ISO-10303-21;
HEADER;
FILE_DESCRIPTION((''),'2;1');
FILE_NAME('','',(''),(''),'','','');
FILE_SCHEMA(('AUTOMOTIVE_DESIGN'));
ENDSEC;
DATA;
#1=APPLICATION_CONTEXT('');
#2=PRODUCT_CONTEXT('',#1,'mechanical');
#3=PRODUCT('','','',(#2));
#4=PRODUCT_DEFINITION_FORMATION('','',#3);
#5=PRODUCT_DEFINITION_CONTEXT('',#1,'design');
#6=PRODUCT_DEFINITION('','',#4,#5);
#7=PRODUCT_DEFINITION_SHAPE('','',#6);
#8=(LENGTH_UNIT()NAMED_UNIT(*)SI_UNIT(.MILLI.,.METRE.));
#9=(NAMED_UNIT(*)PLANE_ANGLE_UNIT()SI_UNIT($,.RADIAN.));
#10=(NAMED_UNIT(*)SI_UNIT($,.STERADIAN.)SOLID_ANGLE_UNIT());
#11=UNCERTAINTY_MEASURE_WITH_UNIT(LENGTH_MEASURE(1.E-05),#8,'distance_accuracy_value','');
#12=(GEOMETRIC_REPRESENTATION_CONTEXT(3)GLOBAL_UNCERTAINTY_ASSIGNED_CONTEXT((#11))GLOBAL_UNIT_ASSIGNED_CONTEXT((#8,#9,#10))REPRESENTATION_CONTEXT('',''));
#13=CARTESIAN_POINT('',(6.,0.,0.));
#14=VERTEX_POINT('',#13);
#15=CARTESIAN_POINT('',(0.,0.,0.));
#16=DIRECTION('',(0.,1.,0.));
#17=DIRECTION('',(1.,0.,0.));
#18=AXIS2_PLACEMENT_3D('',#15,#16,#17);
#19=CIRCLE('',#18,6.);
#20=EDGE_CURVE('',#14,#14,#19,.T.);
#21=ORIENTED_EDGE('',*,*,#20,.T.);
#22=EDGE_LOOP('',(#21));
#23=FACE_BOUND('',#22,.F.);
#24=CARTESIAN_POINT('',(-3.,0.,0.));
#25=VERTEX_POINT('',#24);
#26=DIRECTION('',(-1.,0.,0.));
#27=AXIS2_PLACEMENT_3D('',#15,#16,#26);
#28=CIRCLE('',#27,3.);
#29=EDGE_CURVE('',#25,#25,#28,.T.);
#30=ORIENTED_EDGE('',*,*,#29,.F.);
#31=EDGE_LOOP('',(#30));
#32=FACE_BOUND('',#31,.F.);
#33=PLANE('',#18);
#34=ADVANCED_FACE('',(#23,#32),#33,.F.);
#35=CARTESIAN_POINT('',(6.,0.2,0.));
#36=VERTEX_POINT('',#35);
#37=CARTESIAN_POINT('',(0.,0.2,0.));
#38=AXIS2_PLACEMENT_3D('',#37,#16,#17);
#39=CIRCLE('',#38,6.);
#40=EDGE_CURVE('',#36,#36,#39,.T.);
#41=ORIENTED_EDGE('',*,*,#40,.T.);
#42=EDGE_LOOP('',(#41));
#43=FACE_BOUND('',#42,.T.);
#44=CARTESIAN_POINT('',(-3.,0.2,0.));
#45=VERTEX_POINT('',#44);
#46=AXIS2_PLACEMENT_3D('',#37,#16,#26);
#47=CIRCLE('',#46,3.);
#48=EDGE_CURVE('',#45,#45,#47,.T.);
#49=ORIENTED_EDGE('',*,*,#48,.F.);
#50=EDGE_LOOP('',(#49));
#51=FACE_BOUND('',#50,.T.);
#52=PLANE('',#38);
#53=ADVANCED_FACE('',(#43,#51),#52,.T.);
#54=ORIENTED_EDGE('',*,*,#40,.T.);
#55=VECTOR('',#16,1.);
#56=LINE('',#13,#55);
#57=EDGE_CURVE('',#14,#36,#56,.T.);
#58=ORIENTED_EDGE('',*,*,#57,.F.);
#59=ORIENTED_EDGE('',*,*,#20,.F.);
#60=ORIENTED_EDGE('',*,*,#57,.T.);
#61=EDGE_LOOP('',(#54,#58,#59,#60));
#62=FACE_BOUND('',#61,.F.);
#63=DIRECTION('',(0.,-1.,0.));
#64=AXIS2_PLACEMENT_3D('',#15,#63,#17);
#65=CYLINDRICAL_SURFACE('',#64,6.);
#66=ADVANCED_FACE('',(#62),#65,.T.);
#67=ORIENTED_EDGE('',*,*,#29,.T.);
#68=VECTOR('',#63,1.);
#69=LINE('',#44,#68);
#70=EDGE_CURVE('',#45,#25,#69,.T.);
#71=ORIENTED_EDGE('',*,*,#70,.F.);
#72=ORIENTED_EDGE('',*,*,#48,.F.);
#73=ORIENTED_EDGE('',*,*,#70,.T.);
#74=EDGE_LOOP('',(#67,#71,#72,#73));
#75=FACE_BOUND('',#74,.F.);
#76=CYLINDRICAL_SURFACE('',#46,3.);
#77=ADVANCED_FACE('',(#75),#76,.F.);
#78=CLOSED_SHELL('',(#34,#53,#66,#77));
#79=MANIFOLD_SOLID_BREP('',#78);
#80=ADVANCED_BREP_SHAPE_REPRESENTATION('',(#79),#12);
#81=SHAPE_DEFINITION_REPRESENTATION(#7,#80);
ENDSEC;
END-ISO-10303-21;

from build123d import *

# Parameters (mm, degrees)
SKETCH1_R           = 6
BOSS_EXTRUDE1_DEPTH = 0.2
SKETCH5_R           = 3
CUT_EXTRUDE1_DEPTH  = 1.2


with BuildPart() as part:
    # Sketch1 → Boss-Extrude1 (new body)
    with BuildSketch(Plane(origin=(0, 0, 0), x_dir=(1, 0, 0), z_dir=(0, 1, 0))):
        Circle(SKETCH1_R)
    extrude(amount=BOSS_EXTRUDE1_DEPTH)

    # Sketch5 → Cut-Extrude1 (cut, through all)
    with BuildSketch(Plane(origin=(0, 0.2, 0), x_dir=(-1, 0, 0), z_dir=(0, 1, 0))):
        Circle(SKETCH5_R)
    extrude(amount=-CUT_EXTRUDE1_DEPTH, mode=Mode.SUBTRACT)


solid = part.part
